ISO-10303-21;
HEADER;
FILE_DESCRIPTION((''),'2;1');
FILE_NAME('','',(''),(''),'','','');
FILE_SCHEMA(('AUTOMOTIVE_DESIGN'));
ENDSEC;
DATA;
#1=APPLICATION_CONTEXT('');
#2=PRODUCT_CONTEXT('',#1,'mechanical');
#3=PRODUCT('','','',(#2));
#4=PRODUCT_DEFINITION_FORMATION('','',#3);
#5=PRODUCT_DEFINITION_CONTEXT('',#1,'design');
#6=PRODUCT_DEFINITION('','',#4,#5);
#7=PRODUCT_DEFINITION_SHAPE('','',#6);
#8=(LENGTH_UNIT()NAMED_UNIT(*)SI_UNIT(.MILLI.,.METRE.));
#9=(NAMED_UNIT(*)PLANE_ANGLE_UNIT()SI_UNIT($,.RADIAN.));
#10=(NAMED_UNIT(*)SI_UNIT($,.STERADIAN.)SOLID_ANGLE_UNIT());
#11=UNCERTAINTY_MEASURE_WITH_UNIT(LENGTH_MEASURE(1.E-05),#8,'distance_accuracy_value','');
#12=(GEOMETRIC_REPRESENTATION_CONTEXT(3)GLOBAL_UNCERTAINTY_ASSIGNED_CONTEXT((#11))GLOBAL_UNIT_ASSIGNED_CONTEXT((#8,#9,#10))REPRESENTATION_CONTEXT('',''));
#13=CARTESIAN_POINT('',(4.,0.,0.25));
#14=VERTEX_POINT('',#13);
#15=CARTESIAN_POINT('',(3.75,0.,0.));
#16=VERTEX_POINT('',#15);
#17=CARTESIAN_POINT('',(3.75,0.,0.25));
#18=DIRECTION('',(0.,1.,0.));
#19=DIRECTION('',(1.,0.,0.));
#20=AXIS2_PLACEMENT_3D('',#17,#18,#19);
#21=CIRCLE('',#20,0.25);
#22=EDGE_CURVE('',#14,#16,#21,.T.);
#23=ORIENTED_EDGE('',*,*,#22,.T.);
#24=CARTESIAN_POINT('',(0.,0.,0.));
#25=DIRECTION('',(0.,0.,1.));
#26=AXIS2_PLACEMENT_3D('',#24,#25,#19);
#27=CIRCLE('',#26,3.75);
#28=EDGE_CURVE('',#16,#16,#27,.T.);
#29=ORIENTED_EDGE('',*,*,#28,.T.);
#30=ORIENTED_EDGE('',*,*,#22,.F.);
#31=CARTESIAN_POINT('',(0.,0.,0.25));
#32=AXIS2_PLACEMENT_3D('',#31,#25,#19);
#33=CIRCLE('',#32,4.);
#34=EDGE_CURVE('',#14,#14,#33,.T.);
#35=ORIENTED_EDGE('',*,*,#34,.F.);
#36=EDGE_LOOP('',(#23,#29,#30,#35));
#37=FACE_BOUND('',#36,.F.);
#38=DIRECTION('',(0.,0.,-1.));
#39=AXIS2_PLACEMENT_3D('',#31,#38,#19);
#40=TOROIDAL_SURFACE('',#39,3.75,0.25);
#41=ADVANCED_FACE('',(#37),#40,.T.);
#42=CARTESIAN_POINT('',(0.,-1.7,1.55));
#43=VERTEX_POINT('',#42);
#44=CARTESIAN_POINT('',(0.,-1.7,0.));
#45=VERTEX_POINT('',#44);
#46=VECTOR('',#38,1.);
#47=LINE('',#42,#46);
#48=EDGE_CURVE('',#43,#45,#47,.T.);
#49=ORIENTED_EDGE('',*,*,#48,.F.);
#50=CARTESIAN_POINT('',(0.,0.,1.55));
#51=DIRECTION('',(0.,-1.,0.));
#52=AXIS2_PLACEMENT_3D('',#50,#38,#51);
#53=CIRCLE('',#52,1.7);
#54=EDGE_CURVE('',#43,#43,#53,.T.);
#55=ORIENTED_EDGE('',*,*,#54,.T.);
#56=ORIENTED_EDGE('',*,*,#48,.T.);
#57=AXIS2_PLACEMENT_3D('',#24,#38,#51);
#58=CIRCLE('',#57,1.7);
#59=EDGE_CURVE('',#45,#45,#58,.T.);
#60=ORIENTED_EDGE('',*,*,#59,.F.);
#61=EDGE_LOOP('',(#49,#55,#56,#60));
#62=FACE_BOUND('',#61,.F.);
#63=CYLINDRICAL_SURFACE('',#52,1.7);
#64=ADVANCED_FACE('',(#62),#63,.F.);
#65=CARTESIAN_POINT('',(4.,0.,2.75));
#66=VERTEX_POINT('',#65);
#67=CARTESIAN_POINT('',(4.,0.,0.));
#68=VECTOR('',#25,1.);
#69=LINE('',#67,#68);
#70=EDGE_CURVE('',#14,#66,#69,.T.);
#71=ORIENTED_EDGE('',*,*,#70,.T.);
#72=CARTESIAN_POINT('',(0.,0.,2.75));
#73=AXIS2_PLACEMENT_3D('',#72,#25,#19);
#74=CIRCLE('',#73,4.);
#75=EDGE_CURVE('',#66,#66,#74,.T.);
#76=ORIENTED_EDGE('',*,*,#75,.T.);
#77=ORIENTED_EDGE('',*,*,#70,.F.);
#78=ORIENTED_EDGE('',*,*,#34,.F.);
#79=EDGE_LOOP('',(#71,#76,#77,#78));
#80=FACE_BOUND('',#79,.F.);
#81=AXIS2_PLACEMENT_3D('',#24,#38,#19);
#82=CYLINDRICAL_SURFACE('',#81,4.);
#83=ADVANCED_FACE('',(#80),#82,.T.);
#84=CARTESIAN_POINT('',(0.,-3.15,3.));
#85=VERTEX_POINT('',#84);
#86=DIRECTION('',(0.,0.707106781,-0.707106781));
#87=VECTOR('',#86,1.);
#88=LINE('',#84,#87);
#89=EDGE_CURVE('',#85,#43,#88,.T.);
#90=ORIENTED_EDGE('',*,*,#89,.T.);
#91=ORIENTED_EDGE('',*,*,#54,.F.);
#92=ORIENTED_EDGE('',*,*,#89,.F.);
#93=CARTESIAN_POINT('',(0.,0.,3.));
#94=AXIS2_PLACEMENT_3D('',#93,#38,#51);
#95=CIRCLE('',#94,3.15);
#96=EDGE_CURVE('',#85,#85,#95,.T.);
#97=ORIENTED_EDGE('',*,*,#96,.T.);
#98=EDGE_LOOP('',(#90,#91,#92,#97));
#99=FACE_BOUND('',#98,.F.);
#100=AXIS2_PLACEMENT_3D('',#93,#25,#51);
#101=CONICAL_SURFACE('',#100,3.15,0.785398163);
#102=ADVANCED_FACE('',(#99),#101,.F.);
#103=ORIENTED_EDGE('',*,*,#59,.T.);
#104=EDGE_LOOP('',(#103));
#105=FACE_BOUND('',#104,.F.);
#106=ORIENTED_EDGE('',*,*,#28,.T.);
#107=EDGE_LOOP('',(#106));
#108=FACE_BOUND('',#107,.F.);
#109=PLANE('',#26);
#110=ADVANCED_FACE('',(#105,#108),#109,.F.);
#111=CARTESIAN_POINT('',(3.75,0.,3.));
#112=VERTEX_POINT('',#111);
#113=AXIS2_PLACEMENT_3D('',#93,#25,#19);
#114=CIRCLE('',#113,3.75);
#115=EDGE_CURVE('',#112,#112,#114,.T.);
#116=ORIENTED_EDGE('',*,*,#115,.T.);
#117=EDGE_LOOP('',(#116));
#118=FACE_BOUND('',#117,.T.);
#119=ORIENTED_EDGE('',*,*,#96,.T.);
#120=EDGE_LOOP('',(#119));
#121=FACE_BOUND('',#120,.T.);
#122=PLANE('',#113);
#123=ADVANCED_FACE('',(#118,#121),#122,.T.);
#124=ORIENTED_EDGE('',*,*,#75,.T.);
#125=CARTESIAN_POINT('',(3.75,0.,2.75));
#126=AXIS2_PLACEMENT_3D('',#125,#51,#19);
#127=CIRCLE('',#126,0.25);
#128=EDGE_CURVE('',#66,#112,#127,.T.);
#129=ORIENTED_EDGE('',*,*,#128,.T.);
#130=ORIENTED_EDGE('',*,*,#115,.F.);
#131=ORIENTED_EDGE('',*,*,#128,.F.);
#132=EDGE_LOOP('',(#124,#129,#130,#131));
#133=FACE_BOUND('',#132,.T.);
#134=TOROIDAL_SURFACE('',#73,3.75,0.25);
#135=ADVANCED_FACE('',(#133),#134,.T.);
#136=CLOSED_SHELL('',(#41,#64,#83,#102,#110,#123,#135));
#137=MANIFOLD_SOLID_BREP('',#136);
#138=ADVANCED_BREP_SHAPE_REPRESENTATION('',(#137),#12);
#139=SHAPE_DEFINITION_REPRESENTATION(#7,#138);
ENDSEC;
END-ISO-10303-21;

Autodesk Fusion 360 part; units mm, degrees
sketch "Sketch1" plane through (0, 0, 0) normal (0, 0, 1) x (1, 0, 0)
  circle A0 centre (0, 0) radius 4
  dimension "d1" = 8
extrude "Extrude1" add sketch "Sketch1" along normal blind 3
hole "Hole1" at (0, 0, 3) direction (0, 0, -1) diameter 3.4 depth 8 tip angle 118 countersink diameter 6.3 countersink angle 90
fillet "Fillet1" radius 0.25 2 edges at (-3.7293, -1.4465, 0) (-3.7293, -1.4465, 3)
